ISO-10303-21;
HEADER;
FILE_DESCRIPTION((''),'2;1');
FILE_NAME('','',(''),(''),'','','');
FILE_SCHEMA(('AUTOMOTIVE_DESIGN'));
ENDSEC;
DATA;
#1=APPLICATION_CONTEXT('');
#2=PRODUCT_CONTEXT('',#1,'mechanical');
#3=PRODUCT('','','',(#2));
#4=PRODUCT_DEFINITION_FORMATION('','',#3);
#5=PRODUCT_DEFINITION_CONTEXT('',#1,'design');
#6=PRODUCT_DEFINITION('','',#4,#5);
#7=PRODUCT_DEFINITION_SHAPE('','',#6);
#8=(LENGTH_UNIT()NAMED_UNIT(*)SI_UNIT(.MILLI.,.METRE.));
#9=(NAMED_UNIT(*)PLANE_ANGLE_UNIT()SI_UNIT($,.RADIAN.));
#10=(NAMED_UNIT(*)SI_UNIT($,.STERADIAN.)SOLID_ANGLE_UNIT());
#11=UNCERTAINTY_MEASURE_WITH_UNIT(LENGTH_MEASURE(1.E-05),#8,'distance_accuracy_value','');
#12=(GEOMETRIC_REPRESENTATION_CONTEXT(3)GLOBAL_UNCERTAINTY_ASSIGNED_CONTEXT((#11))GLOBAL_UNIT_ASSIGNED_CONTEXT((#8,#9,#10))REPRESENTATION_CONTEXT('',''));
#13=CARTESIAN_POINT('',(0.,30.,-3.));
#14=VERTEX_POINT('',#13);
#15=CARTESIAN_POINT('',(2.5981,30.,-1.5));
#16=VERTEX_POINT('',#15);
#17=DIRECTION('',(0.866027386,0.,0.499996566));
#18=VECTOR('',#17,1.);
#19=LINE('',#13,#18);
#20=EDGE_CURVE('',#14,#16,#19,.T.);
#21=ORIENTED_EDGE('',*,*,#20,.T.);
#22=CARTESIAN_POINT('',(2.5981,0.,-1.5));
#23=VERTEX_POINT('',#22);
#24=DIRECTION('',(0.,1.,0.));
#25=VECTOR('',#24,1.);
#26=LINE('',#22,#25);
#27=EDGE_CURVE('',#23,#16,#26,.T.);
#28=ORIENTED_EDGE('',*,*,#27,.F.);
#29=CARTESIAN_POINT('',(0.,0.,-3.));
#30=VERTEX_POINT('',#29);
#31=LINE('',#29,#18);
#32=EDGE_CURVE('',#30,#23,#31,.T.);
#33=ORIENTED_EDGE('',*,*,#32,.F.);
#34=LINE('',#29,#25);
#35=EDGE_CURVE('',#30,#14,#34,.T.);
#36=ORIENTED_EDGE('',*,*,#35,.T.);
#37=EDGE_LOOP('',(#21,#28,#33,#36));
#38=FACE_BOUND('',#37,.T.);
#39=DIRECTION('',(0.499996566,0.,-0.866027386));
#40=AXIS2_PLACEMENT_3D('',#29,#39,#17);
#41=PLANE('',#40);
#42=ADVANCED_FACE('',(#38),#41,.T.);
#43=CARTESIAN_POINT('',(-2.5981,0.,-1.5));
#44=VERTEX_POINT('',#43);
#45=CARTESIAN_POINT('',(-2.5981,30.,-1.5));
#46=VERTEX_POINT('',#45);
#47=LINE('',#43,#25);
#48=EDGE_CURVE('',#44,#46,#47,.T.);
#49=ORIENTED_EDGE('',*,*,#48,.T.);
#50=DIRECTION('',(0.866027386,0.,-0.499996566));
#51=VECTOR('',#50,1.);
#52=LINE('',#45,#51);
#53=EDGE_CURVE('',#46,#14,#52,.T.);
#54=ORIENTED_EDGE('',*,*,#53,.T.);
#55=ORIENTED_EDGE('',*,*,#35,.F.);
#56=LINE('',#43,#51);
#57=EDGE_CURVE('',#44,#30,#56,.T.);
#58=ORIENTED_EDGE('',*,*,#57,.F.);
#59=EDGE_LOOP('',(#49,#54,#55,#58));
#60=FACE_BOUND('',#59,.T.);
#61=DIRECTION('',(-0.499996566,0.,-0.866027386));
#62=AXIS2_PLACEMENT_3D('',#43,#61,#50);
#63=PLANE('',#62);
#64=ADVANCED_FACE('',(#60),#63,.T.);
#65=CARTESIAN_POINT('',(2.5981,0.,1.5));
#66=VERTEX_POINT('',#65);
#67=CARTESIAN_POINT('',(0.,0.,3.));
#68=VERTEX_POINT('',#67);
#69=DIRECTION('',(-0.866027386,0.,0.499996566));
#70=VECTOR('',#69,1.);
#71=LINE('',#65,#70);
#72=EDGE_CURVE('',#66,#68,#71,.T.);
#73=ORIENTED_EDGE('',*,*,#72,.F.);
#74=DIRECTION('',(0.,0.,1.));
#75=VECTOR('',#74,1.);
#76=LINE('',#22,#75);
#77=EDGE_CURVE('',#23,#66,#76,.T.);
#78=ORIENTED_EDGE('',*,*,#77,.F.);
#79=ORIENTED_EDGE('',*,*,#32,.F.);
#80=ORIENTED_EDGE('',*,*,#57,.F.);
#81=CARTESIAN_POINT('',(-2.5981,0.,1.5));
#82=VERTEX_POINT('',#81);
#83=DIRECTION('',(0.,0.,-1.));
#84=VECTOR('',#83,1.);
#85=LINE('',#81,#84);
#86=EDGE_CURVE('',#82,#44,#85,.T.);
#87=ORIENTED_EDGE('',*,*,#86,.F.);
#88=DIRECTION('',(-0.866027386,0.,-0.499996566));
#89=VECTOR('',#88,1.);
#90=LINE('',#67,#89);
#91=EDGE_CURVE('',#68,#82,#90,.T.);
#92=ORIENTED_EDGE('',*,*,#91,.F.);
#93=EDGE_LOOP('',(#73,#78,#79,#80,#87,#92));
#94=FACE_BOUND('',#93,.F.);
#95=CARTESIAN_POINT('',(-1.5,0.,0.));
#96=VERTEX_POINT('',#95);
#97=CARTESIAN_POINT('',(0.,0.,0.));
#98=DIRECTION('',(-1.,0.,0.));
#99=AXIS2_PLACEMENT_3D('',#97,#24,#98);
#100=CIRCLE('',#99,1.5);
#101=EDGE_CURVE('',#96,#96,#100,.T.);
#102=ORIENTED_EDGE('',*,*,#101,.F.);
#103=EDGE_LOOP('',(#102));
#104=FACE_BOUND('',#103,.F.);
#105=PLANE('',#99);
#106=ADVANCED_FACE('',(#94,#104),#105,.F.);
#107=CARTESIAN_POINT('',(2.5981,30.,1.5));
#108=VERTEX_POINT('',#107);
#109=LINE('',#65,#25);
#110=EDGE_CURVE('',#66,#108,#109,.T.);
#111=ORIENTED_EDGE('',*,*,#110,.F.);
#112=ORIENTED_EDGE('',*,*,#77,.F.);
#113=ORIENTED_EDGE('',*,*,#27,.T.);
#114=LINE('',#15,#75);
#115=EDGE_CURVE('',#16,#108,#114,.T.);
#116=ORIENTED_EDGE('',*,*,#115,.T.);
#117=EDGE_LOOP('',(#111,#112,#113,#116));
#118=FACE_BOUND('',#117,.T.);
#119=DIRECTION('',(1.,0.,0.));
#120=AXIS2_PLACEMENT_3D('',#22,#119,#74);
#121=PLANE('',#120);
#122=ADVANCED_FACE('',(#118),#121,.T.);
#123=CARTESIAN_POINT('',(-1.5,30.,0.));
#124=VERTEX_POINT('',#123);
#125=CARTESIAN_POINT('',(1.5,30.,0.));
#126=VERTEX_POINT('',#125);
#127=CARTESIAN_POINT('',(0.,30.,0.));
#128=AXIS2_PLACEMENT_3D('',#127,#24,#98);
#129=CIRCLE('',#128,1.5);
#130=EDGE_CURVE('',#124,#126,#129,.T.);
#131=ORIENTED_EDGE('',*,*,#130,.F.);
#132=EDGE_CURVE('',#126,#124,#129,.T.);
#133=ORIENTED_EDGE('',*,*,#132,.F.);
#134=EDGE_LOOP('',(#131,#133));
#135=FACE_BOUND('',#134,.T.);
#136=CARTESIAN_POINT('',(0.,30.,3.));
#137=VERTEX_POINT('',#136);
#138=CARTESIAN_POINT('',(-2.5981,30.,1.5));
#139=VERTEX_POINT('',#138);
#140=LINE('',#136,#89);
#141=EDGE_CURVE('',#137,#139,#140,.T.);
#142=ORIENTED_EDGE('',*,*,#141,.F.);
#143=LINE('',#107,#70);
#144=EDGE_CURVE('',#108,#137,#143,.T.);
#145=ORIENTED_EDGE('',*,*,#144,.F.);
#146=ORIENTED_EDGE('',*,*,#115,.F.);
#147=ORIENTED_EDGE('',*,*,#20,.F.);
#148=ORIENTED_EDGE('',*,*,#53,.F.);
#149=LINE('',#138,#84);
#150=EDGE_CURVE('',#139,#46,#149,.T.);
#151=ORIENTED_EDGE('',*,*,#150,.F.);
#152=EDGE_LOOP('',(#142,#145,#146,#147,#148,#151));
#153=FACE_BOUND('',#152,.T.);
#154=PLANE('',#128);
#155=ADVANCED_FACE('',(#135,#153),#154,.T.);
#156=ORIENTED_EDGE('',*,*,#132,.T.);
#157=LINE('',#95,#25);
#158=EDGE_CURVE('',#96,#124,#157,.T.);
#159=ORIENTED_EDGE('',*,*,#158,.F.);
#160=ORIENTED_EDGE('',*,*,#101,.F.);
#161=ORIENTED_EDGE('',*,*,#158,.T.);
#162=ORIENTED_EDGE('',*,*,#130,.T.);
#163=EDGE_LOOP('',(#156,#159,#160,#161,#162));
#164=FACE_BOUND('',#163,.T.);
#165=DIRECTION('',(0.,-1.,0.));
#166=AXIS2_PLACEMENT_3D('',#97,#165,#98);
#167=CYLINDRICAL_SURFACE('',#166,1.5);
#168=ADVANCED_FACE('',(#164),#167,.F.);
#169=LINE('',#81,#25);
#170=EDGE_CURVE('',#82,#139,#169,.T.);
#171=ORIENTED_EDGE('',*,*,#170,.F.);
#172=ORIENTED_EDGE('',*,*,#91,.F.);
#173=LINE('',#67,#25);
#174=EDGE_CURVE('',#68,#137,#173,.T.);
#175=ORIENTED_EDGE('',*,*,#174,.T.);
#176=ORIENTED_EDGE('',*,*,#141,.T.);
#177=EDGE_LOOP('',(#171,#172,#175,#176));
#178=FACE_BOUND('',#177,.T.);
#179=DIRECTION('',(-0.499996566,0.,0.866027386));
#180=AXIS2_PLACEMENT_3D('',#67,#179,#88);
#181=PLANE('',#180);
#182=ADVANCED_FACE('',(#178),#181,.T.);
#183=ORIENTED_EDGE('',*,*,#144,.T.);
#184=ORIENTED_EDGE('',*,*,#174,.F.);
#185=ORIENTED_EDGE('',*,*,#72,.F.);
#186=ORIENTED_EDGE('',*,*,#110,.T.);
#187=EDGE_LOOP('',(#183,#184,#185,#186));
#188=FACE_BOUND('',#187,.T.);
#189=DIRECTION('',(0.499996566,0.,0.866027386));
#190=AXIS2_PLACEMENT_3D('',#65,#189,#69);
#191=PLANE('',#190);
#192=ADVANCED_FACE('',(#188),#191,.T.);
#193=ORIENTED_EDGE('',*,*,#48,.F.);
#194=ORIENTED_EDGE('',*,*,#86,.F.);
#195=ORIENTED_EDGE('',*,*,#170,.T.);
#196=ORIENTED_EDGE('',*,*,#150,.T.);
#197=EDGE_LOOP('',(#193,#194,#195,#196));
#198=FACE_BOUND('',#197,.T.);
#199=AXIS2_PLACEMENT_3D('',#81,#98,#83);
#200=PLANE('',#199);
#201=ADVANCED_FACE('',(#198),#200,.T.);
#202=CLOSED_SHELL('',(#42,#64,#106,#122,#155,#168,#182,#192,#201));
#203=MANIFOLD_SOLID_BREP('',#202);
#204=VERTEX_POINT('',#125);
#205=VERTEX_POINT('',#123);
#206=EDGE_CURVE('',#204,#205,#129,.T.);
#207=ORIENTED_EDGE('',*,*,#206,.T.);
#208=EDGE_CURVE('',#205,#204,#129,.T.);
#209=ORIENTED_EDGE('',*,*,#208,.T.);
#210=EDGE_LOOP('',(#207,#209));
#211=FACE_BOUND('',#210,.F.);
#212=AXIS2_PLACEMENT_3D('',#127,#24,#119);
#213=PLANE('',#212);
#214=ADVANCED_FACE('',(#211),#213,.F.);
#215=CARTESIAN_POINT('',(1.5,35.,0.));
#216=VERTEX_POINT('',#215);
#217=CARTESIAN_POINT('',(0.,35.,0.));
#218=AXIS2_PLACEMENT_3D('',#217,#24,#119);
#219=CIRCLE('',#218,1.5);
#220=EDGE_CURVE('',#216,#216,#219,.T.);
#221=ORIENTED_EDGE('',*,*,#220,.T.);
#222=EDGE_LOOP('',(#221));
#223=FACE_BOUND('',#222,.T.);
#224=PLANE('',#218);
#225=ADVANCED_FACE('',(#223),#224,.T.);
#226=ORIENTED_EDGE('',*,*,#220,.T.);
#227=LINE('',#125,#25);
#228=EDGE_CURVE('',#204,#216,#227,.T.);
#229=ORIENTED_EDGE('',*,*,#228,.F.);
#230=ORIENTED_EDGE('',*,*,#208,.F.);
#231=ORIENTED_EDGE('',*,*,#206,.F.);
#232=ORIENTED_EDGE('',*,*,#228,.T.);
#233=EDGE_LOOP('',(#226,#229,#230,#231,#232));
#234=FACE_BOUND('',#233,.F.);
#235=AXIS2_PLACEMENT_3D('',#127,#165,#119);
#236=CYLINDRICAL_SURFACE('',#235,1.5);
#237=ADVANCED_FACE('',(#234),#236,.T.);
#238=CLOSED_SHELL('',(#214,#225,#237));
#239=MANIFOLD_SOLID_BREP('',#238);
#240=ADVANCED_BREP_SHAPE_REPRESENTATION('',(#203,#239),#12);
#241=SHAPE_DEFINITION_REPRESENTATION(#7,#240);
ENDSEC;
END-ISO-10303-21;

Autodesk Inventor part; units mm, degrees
ref_plane "YZ Plane" through (0, 0, 0) normal (1, 0, 0) x (0, 1, 0)
ref_plane "XZ Plane" through (0, 0, 0) normal (0, 1, 0) x (-1, 0, 0)
ref_plane "XY Plane" through (0, 0, 0) normal (0, 0, 1) x (1, 0, 0)
sketch "Sketch1" plane through (0, 0, 0) normal (0, 1, 0) x (-1, 0, 0)
  circle A0 centre (0, 0) radius 1.5
  line L0 (0, -3) -> (-2.5981, -1.5)
  line L1 (-2.5981, -1.5) -> (-2.5981, 1.5)
  line L2 (-2.5981, 1.5) -> (0, 3)
  line L3 (0, 3) -> (2.5981, 1.5)
  line L4 (2.5981, 1.5) -> (2.5981, -1.5)
  line L5 (2.5981, -1.5) -> (0, -3)
  dimension "d0" = 3
  dimension "d1" = 3
extrude "Extrusion1" add sketch "Sketch1" along normal blind 30
sketch "Sketch2" plane through (0, 30, 0) normal (0, 1, 0) x (1, 0, 0)
  circle A0 centre (0, 0) radius 1.5
  dimension "d4" = 3
extrude "Extrusion2" add sketch "Sketch2" along normal blind 5
thread "Thread1" size "M3x0.5" class "6g" standard "ANSI Metric M Profile" full length
properties part number "30mm_dist" material "Brass, Soft Yellow"
